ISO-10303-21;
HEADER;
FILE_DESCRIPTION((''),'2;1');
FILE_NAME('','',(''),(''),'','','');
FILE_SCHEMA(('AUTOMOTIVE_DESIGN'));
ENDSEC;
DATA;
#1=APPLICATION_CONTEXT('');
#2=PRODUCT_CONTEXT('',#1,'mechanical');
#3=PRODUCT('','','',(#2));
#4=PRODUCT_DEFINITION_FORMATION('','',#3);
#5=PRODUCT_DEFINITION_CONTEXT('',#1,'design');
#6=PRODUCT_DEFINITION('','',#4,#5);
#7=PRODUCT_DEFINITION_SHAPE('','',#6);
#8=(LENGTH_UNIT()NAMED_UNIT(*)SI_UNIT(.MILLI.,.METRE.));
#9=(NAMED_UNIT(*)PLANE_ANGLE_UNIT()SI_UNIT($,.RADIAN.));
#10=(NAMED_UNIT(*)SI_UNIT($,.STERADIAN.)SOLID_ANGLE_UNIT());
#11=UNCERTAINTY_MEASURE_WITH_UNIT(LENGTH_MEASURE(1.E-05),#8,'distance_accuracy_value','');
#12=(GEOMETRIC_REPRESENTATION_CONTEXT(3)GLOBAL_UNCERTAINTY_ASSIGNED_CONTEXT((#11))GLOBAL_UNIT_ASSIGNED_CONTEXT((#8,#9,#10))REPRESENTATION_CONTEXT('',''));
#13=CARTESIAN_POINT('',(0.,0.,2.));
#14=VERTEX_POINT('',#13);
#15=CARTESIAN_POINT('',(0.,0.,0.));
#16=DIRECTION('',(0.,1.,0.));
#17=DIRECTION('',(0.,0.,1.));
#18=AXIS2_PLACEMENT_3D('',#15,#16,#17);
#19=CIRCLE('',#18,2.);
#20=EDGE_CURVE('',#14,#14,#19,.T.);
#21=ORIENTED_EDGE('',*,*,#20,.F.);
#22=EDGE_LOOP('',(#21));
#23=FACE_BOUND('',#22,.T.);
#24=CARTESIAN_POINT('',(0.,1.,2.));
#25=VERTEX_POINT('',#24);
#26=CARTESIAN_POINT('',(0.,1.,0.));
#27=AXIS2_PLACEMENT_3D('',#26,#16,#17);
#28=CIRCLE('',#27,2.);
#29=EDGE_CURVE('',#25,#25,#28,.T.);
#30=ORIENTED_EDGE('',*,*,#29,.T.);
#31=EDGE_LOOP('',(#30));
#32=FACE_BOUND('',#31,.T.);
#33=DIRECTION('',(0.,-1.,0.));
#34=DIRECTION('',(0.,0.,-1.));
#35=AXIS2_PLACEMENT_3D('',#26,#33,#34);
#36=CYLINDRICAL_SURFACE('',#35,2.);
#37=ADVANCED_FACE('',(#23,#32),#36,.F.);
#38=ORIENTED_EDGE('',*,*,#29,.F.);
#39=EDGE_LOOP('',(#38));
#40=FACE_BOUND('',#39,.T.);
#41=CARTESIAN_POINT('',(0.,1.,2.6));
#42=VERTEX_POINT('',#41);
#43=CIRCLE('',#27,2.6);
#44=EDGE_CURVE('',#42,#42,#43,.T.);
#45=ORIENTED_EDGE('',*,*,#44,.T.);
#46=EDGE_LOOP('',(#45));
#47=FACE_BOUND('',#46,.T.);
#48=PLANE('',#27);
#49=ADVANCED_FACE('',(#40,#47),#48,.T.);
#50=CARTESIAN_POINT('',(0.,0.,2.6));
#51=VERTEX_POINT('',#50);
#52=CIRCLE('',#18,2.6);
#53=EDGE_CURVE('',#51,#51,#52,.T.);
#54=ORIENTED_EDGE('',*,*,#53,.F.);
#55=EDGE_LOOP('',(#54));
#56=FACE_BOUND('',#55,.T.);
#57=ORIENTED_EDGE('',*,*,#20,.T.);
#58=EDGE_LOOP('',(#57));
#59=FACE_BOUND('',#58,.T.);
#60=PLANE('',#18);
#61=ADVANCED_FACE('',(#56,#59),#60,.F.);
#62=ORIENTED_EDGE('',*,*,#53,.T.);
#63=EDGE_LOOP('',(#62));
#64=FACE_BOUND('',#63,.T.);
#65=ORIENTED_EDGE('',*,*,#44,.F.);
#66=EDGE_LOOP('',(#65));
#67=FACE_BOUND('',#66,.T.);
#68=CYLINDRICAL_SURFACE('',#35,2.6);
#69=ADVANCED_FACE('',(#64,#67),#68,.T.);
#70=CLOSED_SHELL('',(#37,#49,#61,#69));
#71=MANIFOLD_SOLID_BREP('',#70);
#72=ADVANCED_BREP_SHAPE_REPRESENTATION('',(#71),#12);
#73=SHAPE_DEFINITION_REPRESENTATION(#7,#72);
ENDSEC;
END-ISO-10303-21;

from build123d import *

# Parameters (mm, degrees)
SKETCH1_R           = 2.6
SKETCH1_R_2         = 2
BOSS_EXTRUDE1_DEPTH = 1


with BuildPart() as part:
    # Sketch1 → Boss-Extrude1 (new body)
    with BuildSketch(Plane(origin=(0, 0, 0), x_dir=(1, 0, 0), z_dir=(0, 1, 0))):
        Circle(SKETCH1_R)
        Circle(SKETCH1_R_2, mode=Mode.SUBTRACT)
    extrude(amount=BOSS_EXTRUDE1_DEPTH)


solid = part.part
